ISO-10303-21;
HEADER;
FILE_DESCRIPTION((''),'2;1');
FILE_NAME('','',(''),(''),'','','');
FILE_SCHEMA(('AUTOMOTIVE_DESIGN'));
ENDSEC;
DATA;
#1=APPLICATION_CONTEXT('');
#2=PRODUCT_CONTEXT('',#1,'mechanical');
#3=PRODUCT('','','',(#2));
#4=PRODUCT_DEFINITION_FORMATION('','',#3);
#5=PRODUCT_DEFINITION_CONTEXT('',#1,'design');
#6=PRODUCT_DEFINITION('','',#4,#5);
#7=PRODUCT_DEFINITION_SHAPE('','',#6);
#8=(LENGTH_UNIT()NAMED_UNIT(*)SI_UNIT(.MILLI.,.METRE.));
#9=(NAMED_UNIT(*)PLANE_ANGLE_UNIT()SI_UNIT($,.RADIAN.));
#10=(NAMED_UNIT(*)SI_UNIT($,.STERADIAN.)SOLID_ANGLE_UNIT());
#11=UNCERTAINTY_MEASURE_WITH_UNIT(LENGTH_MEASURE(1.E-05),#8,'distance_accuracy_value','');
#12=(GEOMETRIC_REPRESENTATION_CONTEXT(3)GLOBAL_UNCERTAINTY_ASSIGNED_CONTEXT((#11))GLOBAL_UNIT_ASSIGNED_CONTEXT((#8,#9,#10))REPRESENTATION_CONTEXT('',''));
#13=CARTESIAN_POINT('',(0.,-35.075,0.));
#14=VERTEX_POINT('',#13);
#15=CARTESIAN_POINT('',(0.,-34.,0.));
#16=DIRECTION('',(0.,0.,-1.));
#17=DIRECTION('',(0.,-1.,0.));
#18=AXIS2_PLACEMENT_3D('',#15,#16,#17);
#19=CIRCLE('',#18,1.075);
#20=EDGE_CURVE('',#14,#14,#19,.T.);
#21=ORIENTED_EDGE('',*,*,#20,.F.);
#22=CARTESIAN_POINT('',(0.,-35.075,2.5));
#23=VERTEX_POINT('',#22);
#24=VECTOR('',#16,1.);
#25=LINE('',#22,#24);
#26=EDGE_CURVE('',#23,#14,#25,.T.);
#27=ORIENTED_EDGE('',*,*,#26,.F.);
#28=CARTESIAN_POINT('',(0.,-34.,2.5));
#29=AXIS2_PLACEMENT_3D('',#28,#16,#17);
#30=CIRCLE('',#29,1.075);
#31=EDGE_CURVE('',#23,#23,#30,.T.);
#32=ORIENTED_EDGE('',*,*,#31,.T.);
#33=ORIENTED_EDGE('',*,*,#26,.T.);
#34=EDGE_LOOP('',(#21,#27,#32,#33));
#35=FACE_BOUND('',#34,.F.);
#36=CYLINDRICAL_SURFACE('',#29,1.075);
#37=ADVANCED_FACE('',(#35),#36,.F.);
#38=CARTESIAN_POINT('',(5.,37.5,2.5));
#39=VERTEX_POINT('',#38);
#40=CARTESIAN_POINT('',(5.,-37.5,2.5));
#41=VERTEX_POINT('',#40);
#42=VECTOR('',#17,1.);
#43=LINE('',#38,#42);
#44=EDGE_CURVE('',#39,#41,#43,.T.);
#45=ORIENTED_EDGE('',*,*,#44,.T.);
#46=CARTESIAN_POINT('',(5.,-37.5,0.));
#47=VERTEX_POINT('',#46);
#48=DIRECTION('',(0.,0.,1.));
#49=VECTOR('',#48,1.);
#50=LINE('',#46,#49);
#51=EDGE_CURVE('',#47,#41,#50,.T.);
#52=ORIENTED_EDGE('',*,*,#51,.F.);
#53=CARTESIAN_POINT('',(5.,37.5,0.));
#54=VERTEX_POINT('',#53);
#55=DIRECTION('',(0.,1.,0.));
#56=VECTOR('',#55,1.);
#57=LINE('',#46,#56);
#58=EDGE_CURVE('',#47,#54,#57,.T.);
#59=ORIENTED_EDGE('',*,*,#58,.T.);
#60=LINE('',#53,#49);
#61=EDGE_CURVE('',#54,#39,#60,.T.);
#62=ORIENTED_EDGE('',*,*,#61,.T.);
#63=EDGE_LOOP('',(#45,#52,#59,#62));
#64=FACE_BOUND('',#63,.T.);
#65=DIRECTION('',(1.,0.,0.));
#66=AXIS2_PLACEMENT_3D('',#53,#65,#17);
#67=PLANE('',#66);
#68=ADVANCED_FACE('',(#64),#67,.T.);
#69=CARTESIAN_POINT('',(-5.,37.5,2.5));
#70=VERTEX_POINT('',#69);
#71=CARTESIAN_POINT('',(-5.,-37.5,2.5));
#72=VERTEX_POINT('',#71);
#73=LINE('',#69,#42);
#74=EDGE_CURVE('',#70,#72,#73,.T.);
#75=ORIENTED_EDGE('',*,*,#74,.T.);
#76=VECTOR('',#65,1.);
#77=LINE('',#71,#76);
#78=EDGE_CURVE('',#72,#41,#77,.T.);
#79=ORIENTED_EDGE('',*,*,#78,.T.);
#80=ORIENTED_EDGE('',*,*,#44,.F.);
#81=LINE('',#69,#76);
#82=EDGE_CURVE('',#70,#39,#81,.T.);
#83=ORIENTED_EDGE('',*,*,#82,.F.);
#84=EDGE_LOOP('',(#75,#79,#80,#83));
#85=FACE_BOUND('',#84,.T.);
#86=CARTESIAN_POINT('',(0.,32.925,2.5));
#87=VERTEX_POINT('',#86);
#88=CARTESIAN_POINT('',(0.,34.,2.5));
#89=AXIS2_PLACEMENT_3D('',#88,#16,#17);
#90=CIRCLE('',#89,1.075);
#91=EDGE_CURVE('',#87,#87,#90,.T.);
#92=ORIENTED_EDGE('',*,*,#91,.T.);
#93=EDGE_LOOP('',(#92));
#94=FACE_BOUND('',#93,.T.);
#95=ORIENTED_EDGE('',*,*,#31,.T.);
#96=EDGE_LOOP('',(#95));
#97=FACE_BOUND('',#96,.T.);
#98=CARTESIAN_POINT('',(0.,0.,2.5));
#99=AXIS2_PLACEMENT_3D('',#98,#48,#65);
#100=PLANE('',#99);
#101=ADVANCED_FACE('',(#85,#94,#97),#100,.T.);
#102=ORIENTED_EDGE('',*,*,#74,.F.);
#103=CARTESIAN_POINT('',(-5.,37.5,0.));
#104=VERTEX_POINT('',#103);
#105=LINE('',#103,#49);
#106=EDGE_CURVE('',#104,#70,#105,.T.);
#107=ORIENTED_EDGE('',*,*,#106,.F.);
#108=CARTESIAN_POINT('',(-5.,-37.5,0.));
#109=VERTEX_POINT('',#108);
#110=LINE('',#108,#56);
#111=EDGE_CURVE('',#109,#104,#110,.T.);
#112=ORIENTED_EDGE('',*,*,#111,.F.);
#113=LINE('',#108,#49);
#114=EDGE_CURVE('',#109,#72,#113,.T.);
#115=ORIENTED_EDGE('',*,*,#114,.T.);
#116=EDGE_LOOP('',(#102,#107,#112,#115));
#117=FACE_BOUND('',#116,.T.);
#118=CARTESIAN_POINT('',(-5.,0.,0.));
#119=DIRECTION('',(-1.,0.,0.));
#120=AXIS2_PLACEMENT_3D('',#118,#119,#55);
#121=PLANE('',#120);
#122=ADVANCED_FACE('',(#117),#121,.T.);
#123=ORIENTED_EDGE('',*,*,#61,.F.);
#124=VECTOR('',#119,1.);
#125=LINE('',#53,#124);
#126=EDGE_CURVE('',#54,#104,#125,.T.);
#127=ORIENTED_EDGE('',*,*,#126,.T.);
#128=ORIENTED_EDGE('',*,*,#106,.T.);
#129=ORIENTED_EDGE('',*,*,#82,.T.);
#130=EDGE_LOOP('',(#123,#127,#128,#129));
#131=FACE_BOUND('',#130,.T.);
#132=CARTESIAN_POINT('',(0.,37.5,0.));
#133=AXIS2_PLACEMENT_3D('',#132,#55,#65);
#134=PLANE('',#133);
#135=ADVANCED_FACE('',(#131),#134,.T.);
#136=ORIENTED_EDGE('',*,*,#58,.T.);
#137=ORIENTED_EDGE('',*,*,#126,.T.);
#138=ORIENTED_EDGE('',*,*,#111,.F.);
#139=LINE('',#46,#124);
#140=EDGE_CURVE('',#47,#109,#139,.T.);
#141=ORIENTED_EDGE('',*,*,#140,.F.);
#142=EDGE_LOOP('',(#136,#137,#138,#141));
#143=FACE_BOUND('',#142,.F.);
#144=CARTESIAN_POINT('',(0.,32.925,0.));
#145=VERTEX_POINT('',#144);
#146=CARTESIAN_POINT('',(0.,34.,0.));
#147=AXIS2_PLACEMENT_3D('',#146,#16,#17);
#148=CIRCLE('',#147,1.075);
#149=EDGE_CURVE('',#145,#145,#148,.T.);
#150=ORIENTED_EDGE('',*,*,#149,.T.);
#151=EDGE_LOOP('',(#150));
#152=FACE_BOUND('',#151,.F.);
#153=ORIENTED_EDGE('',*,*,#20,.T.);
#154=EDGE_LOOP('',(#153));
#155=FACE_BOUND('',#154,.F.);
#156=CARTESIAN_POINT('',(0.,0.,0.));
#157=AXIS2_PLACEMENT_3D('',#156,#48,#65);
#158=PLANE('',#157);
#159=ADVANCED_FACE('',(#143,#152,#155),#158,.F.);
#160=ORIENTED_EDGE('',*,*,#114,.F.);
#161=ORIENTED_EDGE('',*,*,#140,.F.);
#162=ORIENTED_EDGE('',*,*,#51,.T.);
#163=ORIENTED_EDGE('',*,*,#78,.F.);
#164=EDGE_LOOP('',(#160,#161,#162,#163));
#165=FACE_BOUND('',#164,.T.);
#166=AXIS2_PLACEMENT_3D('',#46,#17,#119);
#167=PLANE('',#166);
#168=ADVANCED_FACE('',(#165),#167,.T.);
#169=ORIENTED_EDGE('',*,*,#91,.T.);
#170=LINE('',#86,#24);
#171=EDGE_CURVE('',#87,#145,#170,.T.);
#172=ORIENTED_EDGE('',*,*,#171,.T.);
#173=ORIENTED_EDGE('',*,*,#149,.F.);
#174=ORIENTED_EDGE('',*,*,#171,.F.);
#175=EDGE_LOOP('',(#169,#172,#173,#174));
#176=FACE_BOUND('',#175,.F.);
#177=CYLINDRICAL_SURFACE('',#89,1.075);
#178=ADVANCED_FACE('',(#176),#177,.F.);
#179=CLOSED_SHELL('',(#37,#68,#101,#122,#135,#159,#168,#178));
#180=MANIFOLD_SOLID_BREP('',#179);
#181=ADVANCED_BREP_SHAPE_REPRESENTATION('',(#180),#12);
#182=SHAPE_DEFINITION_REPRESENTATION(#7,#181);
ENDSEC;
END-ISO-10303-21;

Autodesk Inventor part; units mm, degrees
ref_plane "YZ Plane" through (0, 0, 0) normal (1, 0, 0) x (0, 1, 0)
ref_plane "XZ Plane" through (0, 0, 0) normal (0, 1, 0) x (-1, 0, 0)
ref_plane "XY Plane" through (0, 0, 0) normal (0, 0, 1) x (1, 0, 0)
sketch "Náčrt1" plane through (0, 0, 0) normal (0, 0, 1) x (1, 0, 0)
  line L0 (0, 52.5) -> (0, -52.5) projected
  line L1 (-7, 0) -> (7, 0) projected
  line L2 (-5, 37.5) -> (5, 37.5)
  line L3 (5, 37.5) -> (5, -37.5)
  line L4 (5, -37.5) -> (-5, -37.5)
  line L5 (-5, -37.5) -> (-5, 37.5)
  point P0 (0, 0)
  dimension "d0" = 75
  dimension "d1" = 10
extrude "Vysunutí1" add sketch "Náčrt1" along normal blind 2.5
sketch "Náčrt2" plane through (0, 0, 2.5) normal (0, 0, 1) x (1, 0, 0)
  line L0 (0, 52.5) -> (0, -52.5) projected
  line L1 (-7, 0) -> (7, 0) projected
  line L2 (-5, -37.5) -> (5, -37.5) projected
  line L3 (5, -37.5) -> (5, 37.5) projected
  line L4 (5, 37.5) -> (-5, 37.5) projected
  line L5 (-5, 37.5) -> (-5, -37.5) projected
  point P0 (0, 0)
  point P1 (0, 34)
  point P2 (0, -34)
  dimension "d4" = 3.5
  dimension "d5" = 3.5
hole "Díra1" at (0, 34, 2.5) at (0, -34, 2.5) direction (0, 0, -1) diameter 2.15 end through all
properties part number "battery_plate_3D tisk"
